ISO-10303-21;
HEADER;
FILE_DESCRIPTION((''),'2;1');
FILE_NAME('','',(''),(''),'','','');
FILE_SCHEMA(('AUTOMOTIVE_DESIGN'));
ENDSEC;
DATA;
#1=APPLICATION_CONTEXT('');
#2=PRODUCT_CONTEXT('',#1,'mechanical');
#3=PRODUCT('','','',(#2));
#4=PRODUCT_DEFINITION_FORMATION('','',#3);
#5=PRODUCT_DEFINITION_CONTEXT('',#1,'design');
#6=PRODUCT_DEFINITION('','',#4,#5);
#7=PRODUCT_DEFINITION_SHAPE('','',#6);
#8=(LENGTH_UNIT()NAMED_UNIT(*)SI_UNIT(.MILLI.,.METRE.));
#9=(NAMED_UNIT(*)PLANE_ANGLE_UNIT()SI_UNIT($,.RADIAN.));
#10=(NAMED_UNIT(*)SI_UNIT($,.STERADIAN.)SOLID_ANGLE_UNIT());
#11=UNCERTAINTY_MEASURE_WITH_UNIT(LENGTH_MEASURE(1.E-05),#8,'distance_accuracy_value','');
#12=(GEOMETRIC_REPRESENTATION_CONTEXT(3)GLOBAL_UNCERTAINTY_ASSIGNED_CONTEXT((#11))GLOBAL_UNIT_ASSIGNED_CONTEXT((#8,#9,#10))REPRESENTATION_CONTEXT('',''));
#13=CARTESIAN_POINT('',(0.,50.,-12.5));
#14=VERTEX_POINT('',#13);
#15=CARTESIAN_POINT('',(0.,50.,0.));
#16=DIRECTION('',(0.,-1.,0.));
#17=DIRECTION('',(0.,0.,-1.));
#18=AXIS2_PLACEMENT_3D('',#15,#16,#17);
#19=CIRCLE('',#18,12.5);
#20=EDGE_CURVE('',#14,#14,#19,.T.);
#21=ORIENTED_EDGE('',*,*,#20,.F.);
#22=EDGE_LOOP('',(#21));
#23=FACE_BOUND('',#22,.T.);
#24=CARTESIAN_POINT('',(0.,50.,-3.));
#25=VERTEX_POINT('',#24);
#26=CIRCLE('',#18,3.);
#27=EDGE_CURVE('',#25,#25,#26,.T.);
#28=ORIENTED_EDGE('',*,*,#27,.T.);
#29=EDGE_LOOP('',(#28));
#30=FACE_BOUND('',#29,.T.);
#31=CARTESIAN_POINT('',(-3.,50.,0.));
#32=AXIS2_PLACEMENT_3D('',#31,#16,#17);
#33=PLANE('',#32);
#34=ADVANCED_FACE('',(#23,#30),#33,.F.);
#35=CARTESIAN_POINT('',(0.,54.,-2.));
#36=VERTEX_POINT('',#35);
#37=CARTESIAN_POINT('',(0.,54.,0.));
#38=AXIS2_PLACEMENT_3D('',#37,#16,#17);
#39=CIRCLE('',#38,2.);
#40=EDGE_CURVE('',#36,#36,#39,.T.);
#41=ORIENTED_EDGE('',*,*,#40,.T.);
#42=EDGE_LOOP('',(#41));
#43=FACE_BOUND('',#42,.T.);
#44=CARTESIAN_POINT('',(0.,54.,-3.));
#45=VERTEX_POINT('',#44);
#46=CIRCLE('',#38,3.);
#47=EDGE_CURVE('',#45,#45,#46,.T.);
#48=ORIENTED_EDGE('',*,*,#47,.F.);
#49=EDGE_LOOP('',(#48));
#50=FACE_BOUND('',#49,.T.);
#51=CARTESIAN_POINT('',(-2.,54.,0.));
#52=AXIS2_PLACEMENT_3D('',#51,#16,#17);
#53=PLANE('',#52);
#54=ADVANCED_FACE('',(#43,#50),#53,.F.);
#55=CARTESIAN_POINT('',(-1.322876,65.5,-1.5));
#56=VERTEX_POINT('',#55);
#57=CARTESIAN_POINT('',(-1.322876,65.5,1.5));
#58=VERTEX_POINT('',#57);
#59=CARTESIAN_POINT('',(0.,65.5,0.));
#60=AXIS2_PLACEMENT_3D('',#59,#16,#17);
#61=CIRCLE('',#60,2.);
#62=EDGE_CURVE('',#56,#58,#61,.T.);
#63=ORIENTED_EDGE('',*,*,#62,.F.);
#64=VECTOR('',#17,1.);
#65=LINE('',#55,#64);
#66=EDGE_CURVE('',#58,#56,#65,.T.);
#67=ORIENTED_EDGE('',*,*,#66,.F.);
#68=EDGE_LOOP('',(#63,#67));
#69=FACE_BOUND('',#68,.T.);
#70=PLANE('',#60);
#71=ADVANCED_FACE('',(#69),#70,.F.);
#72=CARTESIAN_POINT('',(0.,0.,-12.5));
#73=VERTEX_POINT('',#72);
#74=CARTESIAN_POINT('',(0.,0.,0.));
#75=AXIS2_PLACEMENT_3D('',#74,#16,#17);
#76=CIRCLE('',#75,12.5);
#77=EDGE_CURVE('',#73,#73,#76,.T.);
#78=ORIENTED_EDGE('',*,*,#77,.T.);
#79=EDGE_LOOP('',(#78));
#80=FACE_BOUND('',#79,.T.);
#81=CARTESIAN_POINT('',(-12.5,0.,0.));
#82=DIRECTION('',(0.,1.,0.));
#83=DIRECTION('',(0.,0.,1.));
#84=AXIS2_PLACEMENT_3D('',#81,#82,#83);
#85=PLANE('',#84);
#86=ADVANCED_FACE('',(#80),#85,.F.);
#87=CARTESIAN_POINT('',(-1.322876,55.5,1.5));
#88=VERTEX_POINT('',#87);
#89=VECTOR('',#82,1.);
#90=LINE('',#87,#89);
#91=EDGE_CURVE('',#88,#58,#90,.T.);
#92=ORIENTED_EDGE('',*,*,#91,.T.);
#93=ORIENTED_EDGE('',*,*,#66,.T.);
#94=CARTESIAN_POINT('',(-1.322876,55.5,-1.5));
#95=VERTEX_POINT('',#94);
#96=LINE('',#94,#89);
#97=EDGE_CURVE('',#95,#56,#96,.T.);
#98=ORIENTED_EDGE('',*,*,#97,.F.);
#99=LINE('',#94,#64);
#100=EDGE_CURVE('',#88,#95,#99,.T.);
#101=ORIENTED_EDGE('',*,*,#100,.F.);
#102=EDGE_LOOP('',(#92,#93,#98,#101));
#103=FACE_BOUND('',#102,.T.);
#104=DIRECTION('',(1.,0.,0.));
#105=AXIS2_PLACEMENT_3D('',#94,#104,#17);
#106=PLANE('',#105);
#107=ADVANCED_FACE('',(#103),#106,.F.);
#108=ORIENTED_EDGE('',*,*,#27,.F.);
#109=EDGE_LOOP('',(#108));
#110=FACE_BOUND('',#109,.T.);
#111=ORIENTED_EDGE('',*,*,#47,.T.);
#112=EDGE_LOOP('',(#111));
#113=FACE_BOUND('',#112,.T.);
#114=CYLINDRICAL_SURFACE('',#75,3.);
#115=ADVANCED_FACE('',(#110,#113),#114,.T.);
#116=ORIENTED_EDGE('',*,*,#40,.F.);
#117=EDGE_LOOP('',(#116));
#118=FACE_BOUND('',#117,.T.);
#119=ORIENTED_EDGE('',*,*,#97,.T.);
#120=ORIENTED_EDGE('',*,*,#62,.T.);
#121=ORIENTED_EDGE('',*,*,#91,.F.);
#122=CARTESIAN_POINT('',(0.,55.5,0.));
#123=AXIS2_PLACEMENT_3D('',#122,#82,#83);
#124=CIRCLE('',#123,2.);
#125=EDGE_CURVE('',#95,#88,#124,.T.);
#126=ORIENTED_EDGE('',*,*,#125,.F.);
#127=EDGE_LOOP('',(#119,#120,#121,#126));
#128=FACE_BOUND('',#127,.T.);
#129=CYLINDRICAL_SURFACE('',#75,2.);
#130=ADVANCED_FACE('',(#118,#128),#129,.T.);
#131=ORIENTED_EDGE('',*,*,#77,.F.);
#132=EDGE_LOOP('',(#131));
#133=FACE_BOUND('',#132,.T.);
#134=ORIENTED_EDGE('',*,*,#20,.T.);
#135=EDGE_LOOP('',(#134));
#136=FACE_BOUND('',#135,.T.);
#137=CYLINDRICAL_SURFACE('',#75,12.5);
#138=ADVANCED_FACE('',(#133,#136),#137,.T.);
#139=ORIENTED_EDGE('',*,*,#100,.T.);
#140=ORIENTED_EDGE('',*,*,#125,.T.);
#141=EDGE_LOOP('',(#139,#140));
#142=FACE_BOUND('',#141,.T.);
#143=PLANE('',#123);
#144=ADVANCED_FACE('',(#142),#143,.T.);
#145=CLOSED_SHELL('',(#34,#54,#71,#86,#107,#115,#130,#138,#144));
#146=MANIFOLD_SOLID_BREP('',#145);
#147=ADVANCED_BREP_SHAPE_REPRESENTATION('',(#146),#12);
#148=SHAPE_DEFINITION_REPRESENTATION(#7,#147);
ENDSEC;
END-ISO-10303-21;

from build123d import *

# Parameters (mm, degrees)
CUT_EXTRUDE1_START = -10
CUT_EXTRUDE1_DEPTH = 10


with BuildPart() as part:
    # Sketch1 → Revolve1 (revolve)
    with BuildSketch(Plane.XY, mode=Mode.PRIVATE) as revolve1_sk:
        Polygon((0, 65.5), (-2, 65.5), (-2, 54), (-3, 54), (-3, 50), (-12.5, 50), (-12.5, 0), (0, 0), align=None)
    revolve(revolve1_sk.sketch.rotate(Axis((0, 0, 0), (0, 1, 0)), 270), axis=Axis((0, 0, 0), (0, 1, 0)))

    # Sketch2 → Cut-Extrude1 (cut)
    with BuildSketch(Plane(origin=(0, 65.5, 0), x_dir=(1, 0, 0), z_dir=(0, 1, 0)).offset(CUT_EXTRUDE1_START)):
        with BuildLine():
            Line((-1.322875656, 1.5), (-1.322875656, -1.5))
            ThreePointArc((-1.322875656, -1.5), (-2, 0), (-1.322875656, 1.5))
        make_face()
    extrude(amount=CUT_EXTRUDE1_DEPTH, mode=Mode.SUBTRACT)


solid = part.part
